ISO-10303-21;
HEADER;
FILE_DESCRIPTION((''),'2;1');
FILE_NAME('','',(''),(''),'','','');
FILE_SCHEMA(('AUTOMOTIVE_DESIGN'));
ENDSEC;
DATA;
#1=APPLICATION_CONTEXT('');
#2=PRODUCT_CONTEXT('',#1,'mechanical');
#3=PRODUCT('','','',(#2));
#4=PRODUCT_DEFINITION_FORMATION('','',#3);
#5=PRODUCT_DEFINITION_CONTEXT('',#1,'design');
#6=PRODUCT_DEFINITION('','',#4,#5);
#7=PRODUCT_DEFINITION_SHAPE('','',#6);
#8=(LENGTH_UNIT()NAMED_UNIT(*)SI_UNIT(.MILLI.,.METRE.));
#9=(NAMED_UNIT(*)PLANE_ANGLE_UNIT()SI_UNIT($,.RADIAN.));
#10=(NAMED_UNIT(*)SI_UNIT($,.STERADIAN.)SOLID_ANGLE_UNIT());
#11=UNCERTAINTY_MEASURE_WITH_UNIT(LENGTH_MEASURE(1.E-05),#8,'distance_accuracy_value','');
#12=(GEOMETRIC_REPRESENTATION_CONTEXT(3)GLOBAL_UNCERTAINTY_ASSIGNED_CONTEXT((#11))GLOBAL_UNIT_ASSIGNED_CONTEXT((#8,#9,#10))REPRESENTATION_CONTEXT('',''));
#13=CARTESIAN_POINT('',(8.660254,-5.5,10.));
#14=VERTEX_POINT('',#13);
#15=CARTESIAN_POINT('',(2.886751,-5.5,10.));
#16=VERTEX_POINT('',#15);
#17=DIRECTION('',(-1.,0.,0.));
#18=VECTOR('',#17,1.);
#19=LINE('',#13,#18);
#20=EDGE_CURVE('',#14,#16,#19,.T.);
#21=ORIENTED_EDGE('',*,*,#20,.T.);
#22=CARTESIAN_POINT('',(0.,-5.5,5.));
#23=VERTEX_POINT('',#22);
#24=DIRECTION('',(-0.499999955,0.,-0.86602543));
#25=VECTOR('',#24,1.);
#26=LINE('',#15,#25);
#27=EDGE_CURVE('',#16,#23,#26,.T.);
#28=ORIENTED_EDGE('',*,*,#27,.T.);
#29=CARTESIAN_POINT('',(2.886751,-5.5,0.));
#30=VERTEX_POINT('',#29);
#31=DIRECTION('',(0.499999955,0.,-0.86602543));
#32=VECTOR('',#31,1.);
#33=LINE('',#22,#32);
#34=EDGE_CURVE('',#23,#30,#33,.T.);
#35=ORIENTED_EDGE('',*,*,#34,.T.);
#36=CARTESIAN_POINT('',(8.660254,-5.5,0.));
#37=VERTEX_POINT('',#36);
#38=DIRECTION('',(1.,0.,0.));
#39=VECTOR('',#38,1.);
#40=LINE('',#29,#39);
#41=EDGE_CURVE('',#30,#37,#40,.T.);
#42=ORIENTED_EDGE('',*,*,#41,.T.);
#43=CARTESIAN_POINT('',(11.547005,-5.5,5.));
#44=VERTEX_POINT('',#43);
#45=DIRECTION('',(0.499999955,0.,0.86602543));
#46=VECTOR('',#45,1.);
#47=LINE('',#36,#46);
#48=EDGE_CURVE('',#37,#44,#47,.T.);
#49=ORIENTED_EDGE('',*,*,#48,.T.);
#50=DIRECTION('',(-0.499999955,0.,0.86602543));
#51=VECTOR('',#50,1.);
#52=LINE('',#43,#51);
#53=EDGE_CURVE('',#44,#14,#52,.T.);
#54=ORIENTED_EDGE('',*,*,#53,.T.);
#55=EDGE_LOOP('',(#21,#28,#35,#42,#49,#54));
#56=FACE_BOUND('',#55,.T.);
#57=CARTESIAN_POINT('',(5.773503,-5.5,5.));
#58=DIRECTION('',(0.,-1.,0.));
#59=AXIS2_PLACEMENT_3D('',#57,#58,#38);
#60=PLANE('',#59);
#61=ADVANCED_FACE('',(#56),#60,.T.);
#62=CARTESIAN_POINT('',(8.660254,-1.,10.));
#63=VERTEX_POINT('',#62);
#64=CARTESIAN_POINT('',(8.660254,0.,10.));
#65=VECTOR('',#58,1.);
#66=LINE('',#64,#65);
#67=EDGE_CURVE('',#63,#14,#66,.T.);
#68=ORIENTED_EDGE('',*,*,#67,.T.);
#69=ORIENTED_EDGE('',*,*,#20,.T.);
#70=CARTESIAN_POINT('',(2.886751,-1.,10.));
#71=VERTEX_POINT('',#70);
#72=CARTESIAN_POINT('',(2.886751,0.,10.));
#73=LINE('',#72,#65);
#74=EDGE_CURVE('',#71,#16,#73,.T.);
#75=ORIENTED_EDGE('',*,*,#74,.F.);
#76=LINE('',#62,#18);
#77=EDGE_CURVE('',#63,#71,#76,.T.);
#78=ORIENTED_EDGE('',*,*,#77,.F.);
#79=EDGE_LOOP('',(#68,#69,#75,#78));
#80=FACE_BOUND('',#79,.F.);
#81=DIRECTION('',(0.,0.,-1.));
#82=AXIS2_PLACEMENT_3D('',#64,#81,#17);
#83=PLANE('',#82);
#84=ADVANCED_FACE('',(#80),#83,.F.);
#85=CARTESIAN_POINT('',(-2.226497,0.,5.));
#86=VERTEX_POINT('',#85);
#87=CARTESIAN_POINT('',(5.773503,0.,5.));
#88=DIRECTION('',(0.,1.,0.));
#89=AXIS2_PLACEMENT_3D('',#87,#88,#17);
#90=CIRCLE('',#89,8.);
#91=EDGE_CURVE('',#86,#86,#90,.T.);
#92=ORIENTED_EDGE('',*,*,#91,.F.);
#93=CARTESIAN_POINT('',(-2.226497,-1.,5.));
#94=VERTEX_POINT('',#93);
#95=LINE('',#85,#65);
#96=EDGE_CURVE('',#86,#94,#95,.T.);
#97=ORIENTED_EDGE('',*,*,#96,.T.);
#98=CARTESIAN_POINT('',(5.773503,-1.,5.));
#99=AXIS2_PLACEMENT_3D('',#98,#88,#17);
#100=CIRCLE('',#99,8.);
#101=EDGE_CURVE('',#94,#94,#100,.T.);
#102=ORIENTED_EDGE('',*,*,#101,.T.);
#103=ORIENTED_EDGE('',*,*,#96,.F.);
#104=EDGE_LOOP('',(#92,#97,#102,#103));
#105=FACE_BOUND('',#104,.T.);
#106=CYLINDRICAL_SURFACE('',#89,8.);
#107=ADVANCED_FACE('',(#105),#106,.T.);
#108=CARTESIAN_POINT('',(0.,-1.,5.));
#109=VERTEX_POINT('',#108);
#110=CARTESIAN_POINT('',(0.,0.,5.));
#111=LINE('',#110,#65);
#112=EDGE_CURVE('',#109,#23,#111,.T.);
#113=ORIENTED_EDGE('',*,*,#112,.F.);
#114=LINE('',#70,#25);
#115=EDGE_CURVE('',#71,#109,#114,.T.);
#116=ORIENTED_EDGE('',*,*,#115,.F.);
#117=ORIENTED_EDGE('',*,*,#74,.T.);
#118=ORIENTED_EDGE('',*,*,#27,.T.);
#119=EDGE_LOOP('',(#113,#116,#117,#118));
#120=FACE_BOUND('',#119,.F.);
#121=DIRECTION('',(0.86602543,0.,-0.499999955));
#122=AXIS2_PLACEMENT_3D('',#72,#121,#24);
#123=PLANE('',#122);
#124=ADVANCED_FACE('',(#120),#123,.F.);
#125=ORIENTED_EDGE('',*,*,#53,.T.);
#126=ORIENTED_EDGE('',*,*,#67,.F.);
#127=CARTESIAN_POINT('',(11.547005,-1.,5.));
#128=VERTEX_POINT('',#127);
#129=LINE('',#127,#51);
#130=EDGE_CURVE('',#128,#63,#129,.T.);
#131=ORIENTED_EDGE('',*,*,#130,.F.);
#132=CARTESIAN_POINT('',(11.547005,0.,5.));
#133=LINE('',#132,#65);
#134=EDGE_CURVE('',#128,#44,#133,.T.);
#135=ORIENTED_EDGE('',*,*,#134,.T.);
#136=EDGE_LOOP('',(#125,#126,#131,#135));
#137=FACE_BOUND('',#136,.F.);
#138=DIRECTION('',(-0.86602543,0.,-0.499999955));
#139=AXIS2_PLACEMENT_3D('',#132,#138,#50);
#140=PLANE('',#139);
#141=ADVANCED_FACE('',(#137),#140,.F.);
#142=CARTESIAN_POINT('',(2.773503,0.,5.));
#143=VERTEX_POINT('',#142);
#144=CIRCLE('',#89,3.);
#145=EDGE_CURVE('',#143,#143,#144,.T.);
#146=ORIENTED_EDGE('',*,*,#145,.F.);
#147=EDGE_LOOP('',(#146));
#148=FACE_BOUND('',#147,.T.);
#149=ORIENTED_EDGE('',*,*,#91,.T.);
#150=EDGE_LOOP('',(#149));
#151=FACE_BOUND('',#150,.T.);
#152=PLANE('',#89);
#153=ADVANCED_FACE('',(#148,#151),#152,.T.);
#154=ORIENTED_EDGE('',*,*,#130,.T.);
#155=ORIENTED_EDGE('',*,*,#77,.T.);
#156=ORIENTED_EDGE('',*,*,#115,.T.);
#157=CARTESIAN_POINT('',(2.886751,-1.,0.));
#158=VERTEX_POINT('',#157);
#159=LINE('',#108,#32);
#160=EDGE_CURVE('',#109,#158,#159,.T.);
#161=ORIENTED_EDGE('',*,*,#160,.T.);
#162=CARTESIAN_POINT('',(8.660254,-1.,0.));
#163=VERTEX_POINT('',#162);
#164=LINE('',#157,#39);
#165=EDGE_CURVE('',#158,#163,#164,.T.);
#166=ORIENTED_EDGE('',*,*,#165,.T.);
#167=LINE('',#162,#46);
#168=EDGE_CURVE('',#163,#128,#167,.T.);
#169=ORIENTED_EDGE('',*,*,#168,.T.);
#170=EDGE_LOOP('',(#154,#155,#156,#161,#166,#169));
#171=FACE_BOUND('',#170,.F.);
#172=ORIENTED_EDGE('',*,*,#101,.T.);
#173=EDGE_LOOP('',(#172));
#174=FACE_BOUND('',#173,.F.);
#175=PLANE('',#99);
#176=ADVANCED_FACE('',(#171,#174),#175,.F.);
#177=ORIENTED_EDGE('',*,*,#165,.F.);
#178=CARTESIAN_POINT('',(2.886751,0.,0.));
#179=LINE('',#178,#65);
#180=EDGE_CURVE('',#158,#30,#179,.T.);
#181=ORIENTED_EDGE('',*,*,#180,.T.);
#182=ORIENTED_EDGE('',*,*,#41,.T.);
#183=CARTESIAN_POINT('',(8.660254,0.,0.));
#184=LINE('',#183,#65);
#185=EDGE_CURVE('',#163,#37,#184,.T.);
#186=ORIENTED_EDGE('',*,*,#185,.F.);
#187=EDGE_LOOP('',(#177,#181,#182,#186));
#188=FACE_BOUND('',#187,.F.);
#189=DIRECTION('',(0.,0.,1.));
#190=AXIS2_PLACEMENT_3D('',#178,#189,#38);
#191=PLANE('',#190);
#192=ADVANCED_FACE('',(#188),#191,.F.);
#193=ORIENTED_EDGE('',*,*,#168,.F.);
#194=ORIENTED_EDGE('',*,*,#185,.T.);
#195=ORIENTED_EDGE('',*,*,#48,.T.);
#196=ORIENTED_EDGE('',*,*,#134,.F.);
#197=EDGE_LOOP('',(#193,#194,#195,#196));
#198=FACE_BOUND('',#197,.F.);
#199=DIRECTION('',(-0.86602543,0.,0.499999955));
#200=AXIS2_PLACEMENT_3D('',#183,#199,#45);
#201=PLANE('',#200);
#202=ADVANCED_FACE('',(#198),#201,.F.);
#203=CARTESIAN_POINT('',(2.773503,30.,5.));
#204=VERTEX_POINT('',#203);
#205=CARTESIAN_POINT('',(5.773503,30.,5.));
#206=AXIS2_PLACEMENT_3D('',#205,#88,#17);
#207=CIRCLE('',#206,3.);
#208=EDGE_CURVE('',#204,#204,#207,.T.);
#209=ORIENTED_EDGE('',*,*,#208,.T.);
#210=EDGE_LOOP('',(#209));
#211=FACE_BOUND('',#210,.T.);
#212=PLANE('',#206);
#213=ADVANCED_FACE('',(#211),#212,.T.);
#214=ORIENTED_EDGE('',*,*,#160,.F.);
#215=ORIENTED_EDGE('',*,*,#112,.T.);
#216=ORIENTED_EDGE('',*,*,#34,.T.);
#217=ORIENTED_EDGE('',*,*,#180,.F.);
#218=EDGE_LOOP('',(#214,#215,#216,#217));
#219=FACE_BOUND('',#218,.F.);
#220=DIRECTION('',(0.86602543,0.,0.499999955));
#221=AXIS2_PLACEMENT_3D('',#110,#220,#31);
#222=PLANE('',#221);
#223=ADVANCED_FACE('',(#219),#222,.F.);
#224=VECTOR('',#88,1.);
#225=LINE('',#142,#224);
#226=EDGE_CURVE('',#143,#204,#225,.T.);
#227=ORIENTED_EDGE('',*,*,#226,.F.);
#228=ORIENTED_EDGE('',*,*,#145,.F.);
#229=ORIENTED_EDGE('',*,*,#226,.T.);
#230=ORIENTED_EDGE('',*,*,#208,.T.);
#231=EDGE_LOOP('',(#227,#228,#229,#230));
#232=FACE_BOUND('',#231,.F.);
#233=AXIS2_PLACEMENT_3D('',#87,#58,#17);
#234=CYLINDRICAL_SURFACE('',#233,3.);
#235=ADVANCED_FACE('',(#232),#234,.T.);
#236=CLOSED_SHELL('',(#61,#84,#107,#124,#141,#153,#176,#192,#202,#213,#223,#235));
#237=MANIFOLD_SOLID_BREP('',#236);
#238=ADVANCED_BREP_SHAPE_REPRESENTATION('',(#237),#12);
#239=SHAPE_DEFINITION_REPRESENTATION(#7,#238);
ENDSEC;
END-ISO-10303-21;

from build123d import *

# Parameters (mm, degrees)
F1_DEPTH = 5.5
F2_R     = 8
F3_DEPTH = 1
F4_R     = 3
F5_DEPTH = 30


with BuildPart() as f1:
    # F0 (on Front) → F1 (new body)
    with BuildSketch(Plane.XZ):
        Polygon((0, 5), (2.886751, 0), (8.660254, 0), (11.547005, 5), (8.660254, 10), (2.886751, 10), align=None)
    extrude(amount=F1_DEPTH)

    # F2 (on face) → F3 (join)
    with BuildSketch(Plane(origin=(0, 0, 0), x_dir=(-1, 0, 0), z_dir=(0, 1, 0))):
        with Locations((-5.773503, 5)):
            Circle(F2_R)
        Polygon((-2.886751, 10), (0, 5), (-2.886751, 0), (-8.660254, 0), (-11.547005, 5), (-8.660254, 10), align=None, mode=Mode.SUBTRACT)
    extrude(amount=-F3_DEPTH)

    # F4 (on face) → F5 (join)
    with BuildSketch(Plane(origin=(0, 0, 0), x_dir=(-1, 0, 0), z_dir=(0, 1, 0))):
        with Locations((-5.773503, 5)):
            Circle(F4_R)
    extrude(amount=F5_DEPTH)


solid = f1.part
